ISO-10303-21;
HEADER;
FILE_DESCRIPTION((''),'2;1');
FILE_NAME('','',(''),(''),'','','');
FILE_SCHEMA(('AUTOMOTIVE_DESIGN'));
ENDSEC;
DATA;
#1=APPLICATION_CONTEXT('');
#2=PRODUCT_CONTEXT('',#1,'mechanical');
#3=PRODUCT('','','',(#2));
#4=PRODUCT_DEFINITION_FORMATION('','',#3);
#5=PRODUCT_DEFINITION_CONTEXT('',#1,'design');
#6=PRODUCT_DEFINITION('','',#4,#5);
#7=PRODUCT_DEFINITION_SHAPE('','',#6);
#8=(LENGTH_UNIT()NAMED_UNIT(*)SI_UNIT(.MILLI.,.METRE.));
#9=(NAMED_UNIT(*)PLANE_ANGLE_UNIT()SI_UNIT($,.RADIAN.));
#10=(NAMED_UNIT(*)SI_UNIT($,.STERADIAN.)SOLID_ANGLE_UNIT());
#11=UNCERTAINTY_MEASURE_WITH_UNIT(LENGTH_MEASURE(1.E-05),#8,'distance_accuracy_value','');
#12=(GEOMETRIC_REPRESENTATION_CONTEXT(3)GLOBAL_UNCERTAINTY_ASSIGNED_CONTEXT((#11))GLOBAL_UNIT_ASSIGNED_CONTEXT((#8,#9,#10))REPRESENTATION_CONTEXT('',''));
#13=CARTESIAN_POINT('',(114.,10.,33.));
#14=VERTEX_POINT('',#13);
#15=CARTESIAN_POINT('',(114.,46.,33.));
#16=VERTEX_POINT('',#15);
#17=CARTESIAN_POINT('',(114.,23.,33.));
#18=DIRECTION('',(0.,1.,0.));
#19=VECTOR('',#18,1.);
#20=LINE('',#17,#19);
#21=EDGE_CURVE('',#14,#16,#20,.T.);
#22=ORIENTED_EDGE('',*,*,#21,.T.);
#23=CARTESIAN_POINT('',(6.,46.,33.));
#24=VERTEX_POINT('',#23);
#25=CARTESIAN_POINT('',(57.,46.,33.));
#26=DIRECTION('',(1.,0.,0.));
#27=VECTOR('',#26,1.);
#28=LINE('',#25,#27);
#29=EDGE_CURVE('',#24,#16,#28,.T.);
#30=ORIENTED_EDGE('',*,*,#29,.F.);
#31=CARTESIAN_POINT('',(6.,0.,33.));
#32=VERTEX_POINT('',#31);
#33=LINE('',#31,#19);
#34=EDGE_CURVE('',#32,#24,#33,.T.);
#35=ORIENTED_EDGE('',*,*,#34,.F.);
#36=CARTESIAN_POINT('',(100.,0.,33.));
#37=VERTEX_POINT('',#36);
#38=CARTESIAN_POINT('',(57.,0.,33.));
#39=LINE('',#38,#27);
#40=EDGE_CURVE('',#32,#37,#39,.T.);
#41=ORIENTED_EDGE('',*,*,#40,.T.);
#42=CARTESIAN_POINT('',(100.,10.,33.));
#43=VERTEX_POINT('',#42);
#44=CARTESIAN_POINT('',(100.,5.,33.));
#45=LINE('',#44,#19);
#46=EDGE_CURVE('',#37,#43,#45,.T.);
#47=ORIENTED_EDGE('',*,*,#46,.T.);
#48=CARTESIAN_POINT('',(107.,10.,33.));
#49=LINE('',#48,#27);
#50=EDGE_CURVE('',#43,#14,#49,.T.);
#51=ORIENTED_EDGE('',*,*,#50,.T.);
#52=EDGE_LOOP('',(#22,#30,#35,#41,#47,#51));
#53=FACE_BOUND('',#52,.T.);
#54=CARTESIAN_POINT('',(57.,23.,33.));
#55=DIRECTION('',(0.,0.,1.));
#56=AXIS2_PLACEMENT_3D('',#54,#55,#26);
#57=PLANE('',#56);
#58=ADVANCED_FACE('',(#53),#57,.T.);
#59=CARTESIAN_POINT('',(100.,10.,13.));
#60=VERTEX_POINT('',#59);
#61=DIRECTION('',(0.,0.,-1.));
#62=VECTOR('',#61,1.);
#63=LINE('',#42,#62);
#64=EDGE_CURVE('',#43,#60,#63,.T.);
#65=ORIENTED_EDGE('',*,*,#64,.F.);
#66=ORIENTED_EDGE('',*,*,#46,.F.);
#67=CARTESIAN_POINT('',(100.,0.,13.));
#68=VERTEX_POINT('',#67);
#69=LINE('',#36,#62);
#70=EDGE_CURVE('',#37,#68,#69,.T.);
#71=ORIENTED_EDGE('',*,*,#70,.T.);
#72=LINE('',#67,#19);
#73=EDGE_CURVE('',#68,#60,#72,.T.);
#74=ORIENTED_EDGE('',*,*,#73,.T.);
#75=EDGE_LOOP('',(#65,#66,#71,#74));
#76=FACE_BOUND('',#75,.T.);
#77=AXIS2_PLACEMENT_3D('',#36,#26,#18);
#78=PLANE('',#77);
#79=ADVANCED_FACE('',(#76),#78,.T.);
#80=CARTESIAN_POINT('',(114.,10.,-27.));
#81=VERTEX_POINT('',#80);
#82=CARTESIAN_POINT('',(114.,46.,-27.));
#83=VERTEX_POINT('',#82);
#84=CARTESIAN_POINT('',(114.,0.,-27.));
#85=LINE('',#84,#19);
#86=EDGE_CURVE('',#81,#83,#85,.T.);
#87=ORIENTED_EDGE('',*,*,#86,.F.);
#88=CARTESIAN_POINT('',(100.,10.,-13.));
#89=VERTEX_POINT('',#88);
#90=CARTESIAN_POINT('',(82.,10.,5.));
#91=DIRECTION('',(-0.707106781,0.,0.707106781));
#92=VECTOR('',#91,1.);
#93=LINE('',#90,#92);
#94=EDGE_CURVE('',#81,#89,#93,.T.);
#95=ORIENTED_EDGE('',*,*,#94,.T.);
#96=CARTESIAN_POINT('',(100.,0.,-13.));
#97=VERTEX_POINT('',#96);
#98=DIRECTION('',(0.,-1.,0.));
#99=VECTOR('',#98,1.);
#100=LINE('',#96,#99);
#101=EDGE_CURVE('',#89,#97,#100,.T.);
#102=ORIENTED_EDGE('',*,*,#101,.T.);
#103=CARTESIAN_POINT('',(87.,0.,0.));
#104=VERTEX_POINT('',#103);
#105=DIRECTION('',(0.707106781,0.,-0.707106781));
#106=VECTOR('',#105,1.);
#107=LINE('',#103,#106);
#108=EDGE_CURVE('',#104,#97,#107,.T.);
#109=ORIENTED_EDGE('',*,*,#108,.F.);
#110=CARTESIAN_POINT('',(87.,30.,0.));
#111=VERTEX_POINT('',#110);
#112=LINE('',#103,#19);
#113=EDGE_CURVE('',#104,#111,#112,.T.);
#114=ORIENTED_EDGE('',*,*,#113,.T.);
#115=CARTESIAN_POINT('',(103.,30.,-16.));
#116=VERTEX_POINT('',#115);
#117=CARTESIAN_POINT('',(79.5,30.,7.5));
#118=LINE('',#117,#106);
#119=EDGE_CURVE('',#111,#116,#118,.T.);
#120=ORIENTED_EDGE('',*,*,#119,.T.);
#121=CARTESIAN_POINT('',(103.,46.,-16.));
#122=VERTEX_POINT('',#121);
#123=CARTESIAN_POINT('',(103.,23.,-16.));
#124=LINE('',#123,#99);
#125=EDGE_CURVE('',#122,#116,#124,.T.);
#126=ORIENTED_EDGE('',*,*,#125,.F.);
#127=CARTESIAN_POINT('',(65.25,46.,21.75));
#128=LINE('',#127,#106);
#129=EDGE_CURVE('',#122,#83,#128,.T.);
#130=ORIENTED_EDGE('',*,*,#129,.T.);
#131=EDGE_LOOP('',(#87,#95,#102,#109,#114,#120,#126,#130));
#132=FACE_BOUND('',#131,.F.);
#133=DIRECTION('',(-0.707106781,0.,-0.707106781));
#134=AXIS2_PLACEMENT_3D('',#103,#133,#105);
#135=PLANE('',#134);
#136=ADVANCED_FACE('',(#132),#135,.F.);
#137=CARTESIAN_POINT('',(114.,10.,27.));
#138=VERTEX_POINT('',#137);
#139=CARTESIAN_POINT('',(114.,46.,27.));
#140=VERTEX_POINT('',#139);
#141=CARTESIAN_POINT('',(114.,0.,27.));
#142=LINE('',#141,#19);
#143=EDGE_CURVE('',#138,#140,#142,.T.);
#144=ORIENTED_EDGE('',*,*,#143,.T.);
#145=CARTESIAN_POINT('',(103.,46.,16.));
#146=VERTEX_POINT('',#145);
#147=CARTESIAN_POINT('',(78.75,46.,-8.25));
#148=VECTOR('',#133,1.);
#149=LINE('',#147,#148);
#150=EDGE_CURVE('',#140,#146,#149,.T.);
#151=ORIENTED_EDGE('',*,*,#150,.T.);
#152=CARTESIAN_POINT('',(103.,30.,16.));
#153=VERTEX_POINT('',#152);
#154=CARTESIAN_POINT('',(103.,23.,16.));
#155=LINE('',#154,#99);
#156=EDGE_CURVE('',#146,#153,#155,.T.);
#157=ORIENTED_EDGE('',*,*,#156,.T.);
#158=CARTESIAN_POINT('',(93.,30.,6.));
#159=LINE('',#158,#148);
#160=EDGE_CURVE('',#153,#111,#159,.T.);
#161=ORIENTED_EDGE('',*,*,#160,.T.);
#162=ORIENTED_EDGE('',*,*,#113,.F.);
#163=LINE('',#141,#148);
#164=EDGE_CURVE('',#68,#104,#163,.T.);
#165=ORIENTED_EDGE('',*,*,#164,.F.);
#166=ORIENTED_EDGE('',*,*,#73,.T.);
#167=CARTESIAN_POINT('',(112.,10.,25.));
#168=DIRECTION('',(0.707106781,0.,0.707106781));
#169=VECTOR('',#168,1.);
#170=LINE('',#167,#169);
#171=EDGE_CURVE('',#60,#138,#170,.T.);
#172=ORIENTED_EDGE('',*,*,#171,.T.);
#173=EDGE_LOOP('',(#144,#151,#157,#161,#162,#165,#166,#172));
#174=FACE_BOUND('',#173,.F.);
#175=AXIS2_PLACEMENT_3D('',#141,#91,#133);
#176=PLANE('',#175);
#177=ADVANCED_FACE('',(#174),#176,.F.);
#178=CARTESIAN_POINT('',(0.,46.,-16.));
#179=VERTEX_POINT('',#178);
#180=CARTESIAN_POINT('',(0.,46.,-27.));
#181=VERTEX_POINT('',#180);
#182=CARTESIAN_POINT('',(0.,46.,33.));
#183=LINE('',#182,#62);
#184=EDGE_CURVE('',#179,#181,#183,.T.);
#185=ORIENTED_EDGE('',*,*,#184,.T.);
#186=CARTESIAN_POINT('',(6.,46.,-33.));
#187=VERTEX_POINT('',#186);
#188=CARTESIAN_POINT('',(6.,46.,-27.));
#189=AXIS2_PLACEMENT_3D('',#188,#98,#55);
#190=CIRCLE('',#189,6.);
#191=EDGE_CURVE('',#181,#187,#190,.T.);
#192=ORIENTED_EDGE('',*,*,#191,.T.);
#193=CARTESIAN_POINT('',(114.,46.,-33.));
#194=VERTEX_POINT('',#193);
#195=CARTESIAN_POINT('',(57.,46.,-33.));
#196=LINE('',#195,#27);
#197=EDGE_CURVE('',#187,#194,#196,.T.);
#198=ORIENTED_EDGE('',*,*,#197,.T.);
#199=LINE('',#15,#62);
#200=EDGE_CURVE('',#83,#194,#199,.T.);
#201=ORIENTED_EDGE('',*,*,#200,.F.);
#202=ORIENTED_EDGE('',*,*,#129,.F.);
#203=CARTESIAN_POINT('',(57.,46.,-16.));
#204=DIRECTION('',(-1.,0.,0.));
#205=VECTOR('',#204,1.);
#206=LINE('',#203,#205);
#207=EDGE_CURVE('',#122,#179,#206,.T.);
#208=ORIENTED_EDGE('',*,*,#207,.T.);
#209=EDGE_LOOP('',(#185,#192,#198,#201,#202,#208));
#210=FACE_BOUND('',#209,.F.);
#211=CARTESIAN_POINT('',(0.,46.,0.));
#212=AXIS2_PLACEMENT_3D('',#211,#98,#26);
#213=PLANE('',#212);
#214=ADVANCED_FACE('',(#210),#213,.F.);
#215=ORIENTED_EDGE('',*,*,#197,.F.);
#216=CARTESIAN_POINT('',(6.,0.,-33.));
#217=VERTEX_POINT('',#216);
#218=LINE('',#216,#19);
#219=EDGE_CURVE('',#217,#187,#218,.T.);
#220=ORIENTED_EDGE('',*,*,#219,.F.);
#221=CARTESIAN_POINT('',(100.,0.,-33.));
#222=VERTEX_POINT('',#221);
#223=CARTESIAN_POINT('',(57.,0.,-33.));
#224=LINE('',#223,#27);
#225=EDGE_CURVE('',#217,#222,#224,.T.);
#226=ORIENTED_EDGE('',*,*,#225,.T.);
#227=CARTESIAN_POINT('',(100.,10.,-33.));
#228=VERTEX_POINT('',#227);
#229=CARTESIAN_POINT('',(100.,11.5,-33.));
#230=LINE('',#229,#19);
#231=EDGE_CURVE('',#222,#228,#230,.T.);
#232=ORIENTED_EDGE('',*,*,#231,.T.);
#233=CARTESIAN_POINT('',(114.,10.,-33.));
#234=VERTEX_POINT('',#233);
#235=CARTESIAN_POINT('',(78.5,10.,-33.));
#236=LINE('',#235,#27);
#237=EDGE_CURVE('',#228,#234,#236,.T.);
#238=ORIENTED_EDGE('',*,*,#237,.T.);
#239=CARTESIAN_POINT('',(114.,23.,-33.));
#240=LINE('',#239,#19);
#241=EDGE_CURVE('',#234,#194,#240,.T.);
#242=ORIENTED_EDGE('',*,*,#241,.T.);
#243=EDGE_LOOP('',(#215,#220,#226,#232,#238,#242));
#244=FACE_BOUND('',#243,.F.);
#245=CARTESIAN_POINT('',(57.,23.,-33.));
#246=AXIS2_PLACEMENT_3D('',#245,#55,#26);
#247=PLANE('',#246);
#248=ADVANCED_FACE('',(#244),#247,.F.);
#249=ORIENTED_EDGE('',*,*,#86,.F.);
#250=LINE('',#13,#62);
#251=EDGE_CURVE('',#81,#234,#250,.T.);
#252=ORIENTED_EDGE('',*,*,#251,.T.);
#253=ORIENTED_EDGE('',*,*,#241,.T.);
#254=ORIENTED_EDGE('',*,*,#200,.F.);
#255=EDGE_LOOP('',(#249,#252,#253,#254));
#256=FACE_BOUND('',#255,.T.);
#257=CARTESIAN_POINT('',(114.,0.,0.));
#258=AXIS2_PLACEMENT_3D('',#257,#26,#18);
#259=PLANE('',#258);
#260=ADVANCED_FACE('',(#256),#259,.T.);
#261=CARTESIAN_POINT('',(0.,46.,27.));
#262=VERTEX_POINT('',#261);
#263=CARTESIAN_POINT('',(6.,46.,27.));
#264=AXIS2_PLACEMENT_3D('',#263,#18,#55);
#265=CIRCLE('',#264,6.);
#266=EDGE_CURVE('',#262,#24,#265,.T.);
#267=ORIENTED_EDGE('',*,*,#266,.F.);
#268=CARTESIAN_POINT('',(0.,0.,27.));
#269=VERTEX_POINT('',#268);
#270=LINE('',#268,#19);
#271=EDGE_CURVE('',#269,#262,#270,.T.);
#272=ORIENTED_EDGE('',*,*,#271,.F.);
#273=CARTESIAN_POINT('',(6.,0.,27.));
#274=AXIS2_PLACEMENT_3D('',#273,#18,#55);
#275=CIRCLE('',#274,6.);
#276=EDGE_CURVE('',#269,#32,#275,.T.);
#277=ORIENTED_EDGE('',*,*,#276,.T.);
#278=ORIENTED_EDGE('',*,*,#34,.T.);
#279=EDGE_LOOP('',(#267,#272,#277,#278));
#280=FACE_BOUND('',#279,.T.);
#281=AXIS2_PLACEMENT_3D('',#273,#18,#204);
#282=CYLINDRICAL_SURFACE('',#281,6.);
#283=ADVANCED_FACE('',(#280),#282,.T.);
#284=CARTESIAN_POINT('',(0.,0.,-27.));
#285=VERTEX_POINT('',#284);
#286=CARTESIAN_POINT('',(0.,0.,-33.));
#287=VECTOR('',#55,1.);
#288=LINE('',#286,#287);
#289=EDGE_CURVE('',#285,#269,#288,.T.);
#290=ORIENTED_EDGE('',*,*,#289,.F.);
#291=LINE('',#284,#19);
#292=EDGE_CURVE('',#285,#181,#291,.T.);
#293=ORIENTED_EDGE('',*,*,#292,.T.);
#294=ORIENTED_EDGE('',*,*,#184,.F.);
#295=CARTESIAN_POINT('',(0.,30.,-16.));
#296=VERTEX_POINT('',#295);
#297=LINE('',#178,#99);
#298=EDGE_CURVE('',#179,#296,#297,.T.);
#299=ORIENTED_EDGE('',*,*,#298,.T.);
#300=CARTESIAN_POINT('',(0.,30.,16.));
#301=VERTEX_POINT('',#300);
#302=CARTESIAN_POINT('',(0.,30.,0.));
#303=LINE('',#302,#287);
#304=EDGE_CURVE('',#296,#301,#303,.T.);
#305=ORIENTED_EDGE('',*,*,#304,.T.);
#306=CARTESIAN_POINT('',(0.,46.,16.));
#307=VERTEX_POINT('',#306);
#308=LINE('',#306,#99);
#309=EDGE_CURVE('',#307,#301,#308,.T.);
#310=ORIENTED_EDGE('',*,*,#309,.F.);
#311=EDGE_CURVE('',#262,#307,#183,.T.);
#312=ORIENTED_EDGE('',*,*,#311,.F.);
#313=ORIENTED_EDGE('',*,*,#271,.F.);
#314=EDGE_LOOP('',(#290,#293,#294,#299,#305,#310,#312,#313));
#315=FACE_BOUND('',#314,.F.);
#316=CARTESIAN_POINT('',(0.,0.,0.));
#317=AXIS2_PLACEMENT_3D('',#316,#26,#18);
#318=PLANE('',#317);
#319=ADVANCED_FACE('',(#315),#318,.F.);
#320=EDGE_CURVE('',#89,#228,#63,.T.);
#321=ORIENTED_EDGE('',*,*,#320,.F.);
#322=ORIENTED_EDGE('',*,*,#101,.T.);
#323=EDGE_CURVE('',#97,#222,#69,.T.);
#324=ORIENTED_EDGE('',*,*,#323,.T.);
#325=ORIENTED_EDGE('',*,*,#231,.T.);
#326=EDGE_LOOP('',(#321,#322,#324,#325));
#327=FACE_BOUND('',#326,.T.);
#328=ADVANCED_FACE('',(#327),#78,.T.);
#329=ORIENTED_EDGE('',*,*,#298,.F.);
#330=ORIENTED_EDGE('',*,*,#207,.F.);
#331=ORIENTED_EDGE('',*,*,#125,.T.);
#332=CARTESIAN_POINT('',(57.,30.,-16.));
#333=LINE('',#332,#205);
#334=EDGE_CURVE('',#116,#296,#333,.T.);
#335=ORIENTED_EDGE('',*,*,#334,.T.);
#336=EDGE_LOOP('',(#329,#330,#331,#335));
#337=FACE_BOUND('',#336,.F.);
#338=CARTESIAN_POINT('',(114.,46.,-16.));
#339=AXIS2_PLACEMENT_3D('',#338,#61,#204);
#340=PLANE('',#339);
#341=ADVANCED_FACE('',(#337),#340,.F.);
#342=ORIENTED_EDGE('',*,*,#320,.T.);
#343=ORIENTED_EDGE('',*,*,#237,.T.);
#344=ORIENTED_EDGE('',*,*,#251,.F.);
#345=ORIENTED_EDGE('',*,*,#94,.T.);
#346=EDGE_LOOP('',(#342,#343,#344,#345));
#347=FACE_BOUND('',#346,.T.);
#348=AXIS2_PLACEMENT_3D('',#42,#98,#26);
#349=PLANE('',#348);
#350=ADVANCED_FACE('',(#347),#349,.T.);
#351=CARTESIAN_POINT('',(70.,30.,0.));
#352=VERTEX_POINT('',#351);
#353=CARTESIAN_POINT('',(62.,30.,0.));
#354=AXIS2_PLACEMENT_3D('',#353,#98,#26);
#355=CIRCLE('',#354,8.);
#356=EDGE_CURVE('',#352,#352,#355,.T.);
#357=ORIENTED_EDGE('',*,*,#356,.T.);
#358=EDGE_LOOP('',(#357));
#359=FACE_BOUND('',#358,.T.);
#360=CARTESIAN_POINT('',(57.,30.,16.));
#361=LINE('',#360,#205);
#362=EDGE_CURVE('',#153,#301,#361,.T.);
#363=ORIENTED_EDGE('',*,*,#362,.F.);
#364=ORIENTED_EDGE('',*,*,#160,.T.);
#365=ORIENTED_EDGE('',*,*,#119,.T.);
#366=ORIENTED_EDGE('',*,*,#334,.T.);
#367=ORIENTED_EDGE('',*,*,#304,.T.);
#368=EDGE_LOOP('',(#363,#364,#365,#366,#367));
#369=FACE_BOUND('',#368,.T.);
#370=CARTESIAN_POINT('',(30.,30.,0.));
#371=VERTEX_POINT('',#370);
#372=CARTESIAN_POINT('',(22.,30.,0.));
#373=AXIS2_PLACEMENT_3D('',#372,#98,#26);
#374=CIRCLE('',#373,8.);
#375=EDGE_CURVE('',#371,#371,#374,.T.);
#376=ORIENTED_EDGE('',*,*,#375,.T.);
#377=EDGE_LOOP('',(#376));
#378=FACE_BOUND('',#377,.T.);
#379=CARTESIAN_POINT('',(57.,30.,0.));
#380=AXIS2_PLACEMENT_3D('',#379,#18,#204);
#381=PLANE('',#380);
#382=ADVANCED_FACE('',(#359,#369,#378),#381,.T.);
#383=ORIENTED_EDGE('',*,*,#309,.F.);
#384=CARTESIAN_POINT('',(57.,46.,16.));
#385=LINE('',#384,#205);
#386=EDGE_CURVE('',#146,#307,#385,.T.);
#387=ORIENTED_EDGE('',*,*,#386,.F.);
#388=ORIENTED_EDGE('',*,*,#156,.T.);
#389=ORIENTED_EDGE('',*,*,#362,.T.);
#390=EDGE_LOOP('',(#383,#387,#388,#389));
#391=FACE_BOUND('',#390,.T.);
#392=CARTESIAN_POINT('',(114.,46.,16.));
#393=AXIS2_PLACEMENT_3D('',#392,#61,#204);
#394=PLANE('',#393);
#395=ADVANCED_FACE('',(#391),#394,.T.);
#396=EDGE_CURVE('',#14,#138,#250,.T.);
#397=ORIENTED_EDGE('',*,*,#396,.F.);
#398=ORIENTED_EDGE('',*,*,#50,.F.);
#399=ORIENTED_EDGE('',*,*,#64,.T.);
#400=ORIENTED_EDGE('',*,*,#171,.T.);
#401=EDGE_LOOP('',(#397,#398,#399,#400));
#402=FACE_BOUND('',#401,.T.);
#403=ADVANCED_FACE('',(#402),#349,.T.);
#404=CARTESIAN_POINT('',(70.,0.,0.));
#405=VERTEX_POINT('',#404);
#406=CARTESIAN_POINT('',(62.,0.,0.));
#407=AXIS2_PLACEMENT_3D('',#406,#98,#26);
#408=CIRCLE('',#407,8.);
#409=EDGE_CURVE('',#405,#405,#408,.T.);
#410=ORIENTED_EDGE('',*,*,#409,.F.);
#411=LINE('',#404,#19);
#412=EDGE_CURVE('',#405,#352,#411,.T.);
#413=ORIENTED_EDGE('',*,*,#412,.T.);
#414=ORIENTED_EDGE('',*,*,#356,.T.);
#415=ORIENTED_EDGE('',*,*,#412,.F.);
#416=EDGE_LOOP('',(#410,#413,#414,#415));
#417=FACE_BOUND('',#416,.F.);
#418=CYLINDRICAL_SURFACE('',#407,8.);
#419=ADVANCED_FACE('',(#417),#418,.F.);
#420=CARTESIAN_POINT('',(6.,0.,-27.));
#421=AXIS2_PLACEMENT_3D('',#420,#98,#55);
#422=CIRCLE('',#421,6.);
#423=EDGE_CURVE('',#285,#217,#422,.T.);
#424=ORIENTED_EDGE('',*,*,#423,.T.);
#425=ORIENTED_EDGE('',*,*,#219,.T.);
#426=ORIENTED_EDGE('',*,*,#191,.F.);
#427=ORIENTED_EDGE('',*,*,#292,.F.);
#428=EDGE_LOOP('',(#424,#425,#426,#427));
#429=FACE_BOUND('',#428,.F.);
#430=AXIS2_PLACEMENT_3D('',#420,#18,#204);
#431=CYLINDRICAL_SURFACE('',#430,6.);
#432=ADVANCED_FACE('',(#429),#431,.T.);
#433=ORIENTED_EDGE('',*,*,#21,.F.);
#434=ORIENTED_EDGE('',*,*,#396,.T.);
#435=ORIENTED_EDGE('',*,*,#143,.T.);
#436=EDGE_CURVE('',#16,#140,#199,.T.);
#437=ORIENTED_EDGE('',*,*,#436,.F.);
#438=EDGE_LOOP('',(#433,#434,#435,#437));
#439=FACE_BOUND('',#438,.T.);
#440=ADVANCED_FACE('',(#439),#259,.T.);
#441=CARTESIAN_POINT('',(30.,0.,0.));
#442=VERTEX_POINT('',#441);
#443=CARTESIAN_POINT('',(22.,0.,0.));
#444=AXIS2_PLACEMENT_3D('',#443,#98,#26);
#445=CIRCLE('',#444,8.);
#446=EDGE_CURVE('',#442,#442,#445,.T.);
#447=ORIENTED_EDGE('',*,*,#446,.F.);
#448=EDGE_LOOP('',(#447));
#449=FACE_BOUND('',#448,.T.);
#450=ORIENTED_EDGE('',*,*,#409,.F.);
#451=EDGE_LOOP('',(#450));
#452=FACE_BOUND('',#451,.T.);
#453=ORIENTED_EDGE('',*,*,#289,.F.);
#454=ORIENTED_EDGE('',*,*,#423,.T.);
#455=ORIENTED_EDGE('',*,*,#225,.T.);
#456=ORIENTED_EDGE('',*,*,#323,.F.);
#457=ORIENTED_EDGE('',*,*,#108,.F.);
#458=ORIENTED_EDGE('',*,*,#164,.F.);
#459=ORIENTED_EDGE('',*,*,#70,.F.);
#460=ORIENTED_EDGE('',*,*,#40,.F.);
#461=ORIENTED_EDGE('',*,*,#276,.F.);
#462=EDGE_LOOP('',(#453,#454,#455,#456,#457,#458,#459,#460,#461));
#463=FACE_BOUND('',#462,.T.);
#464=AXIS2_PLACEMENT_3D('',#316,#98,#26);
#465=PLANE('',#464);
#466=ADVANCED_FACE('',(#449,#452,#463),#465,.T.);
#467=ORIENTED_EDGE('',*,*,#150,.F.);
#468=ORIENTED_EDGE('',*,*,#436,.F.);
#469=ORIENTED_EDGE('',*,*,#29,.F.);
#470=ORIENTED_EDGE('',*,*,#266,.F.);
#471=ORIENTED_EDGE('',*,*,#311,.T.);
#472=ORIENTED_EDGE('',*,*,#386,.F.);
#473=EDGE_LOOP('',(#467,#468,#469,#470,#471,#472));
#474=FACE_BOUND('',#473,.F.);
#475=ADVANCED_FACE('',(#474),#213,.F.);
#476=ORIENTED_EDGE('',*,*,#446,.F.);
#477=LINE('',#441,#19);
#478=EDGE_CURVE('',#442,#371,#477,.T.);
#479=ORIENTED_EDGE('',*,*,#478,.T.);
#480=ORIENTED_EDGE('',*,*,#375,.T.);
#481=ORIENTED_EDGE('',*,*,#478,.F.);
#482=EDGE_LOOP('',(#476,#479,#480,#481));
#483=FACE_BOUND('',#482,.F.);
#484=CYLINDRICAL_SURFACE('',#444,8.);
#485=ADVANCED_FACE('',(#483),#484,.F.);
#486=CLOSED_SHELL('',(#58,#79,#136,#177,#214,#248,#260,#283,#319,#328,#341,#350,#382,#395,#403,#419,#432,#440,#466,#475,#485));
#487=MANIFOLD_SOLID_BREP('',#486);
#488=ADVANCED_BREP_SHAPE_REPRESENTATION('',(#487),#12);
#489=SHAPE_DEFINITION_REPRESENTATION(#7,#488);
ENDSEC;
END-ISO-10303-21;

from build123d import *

# Parameters (mm, degrees)
F0_W     = 114
F0_H     = 46
F1_DEPTH = 33
F3_R     = 6
F2_R     = 8
F4_DEPTH = 46.001
F5_W     = 14
F5_H     = 10
F6_DEPTH = 66.001
F7_W     = 114
F7_H     = 32
F8_DEPTH = 16


with BuildPart() as f1:
    # F0 (on Top) → F1 (new body, symmetric)
    with BuildSketch(Plane.XY):
        with Locations((57, 23)):
            Rectangle(F0_W, F0_H)
    extrude(amount=F1_DEPTH, both=True)

    # F3
    f3_edges = [f1.edges().sort_by_distance(p)[0] for p in [
        (0, 23, 33),
        (0, 23, -33),
    ]]
    fillet(f3_edges, radius=F3_R)

    # F2 (on face) → F4 (cut, through all)
    with BuildSketch(Plane.XZ):
        Polygon((114, -27), (114, 27), (87, 0), align=None)
        with Locations((22, 0)):
            Circle(F2_R)
        with Locations((62, 0)):
            Circle(F2_R)
    extrude(amount=-F4_DEPTH, mode=Mode.SUBTRACT)

    # F5 (on face) → F6 (cut, through all)
    with BuildSketch(Plane.XY.offset(33)):
        with Locations((107, 5)):
            Rectangle(F5_W, F5_H)
    extrude(amount=-F6_DEPTH, mode=Mode.SUBTRACT)

    # F7 (on face) → F8 (cut)
    with BuildSketch(Plane(origin=(0, 46, 0), x_dir=(-1, 0, 0), z_dir=(0, 1, 0))):
        with Locations((-57, 0)):
            Rectangle(F7_W, F7_H)
    extrude(amount=-F8_DEPTH, mode=Mode.SUBTRACT)


solid = f1.part
